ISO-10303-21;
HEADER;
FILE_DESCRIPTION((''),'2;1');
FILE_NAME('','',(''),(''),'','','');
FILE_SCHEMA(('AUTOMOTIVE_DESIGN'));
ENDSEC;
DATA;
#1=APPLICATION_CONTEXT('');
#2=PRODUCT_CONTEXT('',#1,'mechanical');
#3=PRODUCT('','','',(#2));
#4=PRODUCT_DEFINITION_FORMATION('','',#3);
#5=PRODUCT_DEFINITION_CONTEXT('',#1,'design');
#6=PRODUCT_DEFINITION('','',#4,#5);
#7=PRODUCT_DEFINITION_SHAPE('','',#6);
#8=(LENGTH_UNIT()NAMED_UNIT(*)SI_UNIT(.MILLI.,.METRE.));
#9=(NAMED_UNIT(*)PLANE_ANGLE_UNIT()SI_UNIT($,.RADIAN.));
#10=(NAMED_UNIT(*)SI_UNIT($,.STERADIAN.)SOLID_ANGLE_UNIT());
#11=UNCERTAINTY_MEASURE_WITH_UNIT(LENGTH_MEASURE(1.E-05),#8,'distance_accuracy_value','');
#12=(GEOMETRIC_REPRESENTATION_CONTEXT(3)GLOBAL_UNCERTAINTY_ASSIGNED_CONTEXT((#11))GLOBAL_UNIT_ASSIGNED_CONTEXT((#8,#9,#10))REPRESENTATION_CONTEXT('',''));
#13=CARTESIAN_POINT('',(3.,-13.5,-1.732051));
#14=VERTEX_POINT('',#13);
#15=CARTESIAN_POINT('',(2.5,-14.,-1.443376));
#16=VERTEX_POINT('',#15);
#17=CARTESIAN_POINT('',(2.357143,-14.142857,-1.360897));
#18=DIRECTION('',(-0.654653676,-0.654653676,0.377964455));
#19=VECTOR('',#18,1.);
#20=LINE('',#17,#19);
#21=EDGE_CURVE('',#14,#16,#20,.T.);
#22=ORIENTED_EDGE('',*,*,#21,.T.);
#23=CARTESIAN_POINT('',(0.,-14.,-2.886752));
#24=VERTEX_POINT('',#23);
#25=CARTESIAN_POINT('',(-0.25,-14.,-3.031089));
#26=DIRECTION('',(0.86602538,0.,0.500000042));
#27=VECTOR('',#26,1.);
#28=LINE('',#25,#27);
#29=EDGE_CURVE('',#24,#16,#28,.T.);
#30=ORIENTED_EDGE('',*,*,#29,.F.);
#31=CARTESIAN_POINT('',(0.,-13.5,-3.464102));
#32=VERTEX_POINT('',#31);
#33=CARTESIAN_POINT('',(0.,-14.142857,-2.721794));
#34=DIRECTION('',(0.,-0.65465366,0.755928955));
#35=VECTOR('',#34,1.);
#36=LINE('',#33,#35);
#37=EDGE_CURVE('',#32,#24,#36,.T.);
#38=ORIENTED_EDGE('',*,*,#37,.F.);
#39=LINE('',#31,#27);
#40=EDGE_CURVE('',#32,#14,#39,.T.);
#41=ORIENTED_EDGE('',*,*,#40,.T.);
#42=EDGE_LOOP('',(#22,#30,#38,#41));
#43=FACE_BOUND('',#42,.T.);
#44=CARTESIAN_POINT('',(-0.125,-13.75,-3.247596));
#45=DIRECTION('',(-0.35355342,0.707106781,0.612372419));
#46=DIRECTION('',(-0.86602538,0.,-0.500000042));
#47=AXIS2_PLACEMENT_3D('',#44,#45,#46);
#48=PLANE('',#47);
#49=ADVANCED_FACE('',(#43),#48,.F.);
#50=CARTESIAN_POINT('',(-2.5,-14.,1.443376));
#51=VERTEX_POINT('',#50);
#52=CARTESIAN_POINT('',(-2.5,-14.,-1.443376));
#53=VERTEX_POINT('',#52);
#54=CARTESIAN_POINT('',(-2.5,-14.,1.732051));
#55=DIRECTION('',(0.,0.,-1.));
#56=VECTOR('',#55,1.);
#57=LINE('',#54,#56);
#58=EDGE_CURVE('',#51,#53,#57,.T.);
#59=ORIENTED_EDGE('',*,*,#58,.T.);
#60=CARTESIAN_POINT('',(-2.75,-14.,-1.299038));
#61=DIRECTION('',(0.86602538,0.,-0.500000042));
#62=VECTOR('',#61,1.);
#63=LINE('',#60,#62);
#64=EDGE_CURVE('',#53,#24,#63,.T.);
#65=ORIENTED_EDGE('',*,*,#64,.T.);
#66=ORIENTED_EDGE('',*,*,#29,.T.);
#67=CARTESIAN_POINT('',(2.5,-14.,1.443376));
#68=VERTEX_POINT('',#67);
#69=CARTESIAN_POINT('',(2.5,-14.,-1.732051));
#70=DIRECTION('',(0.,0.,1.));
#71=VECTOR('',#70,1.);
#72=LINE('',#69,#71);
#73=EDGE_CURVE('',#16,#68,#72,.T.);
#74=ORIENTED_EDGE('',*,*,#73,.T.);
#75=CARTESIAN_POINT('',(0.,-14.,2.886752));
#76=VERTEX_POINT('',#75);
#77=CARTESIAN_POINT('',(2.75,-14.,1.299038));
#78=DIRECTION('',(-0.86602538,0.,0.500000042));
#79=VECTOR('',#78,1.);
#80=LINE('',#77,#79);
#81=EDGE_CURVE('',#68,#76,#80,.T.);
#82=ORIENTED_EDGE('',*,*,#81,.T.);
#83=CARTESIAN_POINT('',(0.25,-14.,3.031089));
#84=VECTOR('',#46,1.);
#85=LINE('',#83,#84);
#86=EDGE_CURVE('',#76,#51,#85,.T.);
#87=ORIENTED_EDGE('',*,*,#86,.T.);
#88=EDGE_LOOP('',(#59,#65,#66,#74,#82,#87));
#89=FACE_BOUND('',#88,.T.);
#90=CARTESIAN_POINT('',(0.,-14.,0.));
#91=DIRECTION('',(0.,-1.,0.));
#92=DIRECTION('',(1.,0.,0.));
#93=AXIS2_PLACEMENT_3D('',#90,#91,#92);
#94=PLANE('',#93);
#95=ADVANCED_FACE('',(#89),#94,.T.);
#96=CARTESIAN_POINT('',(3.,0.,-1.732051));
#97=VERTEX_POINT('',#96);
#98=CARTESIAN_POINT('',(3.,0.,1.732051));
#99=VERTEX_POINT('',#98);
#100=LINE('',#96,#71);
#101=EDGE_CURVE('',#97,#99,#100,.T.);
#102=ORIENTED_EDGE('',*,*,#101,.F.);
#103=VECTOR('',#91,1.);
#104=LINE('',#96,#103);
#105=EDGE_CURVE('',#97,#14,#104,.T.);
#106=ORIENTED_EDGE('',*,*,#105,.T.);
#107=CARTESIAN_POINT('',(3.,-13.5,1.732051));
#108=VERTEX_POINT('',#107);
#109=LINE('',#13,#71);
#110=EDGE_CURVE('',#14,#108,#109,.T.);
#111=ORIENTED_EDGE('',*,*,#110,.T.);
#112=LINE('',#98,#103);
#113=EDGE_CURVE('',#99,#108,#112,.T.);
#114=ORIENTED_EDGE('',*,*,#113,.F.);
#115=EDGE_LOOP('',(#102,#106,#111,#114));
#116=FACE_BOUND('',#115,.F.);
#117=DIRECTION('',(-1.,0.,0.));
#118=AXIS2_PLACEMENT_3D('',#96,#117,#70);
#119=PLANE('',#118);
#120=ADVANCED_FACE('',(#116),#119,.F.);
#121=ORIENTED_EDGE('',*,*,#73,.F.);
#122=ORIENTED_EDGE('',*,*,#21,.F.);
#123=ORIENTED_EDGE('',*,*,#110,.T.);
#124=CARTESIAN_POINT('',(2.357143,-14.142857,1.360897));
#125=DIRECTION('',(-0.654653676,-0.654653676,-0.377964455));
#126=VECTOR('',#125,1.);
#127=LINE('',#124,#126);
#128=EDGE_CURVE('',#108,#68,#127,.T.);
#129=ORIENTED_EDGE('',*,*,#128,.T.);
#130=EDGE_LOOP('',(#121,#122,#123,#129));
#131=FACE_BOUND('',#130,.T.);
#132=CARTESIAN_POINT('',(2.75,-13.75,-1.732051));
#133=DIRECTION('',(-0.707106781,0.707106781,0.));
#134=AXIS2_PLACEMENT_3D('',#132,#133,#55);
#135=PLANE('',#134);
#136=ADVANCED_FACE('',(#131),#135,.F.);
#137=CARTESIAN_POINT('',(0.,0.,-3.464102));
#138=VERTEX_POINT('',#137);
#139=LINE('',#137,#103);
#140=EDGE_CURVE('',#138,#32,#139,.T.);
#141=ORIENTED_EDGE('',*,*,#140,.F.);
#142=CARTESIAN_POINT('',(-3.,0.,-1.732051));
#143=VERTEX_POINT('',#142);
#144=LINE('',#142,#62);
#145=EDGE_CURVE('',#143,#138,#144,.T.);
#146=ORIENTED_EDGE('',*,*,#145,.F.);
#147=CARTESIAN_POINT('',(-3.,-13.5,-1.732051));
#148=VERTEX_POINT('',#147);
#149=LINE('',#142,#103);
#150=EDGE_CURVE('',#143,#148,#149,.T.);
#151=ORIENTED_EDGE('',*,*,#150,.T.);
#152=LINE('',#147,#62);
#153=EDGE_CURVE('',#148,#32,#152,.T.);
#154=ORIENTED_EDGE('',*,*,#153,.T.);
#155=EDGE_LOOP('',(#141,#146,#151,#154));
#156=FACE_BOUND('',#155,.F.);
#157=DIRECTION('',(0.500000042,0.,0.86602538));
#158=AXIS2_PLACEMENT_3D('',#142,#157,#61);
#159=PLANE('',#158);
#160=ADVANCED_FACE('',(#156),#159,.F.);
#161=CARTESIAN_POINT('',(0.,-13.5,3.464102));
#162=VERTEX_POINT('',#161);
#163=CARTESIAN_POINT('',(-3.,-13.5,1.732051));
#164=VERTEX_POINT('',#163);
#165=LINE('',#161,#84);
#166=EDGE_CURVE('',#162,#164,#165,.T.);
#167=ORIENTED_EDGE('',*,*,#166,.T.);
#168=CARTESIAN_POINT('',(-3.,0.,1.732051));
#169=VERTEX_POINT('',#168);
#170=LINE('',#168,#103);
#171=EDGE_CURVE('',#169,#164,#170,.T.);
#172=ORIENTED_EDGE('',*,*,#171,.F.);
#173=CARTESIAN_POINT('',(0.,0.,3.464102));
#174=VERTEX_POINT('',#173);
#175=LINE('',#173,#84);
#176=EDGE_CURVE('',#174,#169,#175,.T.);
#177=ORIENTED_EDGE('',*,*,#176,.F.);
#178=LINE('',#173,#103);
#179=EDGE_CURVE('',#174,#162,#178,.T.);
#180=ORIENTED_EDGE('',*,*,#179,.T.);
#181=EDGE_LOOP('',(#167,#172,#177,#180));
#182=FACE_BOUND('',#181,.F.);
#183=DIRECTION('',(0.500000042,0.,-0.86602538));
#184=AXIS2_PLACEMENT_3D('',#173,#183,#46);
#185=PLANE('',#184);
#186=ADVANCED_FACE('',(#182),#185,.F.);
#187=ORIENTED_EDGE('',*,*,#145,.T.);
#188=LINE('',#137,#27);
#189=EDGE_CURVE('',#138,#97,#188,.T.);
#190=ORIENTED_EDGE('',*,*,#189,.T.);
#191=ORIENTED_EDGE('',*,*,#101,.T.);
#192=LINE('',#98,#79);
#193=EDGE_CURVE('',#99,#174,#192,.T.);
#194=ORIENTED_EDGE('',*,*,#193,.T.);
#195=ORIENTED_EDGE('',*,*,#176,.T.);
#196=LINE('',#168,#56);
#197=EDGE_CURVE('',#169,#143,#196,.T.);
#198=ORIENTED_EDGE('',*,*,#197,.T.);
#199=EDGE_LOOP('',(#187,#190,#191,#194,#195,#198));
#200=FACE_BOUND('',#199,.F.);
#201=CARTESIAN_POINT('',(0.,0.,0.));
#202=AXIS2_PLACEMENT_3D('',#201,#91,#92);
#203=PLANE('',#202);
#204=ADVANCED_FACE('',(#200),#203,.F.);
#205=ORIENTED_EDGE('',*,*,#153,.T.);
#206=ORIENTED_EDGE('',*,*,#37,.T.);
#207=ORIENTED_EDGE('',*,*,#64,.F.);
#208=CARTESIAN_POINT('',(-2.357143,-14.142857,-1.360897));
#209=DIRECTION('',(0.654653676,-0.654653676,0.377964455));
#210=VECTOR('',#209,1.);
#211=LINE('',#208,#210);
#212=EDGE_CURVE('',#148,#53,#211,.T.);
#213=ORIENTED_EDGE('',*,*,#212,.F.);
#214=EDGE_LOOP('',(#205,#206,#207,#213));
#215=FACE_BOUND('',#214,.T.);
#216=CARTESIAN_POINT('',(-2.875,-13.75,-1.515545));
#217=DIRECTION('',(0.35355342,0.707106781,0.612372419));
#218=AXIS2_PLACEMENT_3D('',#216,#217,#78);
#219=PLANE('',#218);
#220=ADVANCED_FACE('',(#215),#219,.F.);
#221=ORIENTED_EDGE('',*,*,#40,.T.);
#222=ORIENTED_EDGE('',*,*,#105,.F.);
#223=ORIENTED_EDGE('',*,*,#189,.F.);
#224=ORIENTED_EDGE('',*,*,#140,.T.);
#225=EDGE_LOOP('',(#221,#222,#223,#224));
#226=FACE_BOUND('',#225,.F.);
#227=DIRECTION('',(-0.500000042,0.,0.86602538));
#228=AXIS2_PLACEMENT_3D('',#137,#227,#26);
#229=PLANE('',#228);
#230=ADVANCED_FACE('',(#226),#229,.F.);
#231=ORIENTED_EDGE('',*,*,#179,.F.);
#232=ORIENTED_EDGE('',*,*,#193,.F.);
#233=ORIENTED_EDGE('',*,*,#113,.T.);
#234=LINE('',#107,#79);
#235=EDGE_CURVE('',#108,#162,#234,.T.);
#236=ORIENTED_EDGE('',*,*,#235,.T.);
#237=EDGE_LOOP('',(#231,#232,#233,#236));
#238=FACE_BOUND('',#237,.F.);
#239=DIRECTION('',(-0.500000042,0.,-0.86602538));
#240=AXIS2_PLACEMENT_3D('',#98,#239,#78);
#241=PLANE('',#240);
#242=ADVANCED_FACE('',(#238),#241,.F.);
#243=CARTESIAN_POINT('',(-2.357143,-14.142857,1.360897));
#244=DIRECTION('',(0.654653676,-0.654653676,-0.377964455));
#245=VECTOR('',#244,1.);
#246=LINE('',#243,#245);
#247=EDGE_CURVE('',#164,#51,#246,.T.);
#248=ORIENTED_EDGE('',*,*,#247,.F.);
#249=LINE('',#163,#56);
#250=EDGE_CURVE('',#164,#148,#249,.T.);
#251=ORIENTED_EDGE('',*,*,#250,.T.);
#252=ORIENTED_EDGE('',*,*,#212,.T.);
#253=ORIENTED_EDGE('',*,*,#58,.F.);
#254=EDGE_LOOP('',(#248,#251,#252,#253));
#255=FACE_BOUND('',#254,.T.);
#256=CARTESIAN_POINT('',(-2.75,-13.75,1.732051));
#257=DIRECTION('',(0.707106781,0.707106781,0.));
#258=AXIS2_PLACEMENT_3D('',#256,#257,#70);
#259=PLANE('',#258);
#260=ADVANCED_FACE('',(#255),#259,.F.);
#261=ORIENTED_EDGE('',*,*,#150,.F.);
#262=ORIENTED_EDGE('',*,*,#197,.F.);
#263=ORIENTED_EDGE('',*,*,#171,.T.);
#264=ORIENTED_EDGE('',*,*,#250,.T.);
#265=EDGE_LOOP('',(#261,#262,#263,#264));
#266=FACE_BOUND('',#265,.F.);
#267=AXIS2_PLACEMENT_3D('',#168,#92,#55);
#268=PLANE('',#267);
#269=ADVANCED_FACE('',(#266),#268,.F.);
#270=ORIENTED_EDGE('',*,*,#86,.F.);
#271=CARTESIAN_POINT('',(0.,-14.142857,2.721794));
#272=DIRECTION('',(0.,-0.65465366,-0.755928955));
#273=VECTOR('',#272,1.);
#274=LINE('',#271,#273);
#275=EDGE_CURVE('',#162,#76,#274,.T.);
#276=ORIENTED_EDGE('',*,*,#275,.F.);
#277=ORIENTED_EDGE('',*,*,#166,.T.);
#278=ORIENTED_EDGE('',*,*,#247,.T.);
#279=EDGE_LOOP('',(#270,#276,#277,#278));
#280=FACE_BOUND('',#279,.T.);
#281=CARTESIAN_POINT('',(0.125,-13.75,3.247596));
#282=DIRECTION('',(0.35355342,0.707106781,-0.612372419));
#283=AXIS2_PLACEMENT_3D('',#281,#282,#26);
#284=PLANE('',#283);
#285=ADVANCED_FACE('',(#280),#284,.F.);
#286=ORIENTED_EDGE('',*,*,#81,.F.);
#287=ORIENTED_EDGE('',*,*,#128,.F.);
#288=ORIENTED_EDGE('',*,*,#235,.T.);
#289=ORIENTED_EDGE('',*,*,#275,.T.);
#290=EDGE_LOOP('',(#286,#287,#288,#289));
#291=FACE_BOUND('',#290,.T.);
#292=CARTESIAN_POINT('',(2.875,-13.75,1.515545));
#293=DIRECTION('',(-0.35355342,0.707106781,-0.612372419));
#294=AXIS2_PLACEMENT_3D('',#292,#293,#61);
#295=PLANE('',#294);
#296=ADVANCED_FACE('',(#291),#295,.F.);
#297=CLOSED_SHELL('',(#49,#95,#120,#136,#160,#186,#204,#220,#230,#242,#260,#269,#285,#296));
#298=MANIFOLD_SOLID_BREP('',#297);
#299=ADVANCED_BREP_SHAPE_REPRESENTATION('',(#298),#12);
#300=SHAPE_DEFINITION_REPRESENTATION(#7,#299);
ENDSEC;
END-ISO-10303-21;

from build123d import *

# Parameters (mm, degrees)
F1_DEPTH = 14
F2_SIZE  = 0.5


with BuildPart() as f1:
    # F0 (on Front) → F1 (new body)
    with BuildSketch(Plane.XZ):
        Polygon((3, -1.732051), (3, 1.732051), (0, 3.464102), (-3, 1.732051), (-3, -1.732051), (0, -3.464102), align=None)
    extrude(amount=F1_DEPTH)

    # F2
    f2_edges = [f1.edges().sort_by_distance(p)[0] for p in [
        (-1.5, -14, 2.598076),
        (-3, -14, 0),
        (-1.5, -14, -2.598076),
        (1.5, -14, -2.598076),
        (3, -14, 0),
        (1.5, -14, 2.598076),
    ]]
    chamfer(f2_edges, length=F2_SIZE)


solid = f1.part
